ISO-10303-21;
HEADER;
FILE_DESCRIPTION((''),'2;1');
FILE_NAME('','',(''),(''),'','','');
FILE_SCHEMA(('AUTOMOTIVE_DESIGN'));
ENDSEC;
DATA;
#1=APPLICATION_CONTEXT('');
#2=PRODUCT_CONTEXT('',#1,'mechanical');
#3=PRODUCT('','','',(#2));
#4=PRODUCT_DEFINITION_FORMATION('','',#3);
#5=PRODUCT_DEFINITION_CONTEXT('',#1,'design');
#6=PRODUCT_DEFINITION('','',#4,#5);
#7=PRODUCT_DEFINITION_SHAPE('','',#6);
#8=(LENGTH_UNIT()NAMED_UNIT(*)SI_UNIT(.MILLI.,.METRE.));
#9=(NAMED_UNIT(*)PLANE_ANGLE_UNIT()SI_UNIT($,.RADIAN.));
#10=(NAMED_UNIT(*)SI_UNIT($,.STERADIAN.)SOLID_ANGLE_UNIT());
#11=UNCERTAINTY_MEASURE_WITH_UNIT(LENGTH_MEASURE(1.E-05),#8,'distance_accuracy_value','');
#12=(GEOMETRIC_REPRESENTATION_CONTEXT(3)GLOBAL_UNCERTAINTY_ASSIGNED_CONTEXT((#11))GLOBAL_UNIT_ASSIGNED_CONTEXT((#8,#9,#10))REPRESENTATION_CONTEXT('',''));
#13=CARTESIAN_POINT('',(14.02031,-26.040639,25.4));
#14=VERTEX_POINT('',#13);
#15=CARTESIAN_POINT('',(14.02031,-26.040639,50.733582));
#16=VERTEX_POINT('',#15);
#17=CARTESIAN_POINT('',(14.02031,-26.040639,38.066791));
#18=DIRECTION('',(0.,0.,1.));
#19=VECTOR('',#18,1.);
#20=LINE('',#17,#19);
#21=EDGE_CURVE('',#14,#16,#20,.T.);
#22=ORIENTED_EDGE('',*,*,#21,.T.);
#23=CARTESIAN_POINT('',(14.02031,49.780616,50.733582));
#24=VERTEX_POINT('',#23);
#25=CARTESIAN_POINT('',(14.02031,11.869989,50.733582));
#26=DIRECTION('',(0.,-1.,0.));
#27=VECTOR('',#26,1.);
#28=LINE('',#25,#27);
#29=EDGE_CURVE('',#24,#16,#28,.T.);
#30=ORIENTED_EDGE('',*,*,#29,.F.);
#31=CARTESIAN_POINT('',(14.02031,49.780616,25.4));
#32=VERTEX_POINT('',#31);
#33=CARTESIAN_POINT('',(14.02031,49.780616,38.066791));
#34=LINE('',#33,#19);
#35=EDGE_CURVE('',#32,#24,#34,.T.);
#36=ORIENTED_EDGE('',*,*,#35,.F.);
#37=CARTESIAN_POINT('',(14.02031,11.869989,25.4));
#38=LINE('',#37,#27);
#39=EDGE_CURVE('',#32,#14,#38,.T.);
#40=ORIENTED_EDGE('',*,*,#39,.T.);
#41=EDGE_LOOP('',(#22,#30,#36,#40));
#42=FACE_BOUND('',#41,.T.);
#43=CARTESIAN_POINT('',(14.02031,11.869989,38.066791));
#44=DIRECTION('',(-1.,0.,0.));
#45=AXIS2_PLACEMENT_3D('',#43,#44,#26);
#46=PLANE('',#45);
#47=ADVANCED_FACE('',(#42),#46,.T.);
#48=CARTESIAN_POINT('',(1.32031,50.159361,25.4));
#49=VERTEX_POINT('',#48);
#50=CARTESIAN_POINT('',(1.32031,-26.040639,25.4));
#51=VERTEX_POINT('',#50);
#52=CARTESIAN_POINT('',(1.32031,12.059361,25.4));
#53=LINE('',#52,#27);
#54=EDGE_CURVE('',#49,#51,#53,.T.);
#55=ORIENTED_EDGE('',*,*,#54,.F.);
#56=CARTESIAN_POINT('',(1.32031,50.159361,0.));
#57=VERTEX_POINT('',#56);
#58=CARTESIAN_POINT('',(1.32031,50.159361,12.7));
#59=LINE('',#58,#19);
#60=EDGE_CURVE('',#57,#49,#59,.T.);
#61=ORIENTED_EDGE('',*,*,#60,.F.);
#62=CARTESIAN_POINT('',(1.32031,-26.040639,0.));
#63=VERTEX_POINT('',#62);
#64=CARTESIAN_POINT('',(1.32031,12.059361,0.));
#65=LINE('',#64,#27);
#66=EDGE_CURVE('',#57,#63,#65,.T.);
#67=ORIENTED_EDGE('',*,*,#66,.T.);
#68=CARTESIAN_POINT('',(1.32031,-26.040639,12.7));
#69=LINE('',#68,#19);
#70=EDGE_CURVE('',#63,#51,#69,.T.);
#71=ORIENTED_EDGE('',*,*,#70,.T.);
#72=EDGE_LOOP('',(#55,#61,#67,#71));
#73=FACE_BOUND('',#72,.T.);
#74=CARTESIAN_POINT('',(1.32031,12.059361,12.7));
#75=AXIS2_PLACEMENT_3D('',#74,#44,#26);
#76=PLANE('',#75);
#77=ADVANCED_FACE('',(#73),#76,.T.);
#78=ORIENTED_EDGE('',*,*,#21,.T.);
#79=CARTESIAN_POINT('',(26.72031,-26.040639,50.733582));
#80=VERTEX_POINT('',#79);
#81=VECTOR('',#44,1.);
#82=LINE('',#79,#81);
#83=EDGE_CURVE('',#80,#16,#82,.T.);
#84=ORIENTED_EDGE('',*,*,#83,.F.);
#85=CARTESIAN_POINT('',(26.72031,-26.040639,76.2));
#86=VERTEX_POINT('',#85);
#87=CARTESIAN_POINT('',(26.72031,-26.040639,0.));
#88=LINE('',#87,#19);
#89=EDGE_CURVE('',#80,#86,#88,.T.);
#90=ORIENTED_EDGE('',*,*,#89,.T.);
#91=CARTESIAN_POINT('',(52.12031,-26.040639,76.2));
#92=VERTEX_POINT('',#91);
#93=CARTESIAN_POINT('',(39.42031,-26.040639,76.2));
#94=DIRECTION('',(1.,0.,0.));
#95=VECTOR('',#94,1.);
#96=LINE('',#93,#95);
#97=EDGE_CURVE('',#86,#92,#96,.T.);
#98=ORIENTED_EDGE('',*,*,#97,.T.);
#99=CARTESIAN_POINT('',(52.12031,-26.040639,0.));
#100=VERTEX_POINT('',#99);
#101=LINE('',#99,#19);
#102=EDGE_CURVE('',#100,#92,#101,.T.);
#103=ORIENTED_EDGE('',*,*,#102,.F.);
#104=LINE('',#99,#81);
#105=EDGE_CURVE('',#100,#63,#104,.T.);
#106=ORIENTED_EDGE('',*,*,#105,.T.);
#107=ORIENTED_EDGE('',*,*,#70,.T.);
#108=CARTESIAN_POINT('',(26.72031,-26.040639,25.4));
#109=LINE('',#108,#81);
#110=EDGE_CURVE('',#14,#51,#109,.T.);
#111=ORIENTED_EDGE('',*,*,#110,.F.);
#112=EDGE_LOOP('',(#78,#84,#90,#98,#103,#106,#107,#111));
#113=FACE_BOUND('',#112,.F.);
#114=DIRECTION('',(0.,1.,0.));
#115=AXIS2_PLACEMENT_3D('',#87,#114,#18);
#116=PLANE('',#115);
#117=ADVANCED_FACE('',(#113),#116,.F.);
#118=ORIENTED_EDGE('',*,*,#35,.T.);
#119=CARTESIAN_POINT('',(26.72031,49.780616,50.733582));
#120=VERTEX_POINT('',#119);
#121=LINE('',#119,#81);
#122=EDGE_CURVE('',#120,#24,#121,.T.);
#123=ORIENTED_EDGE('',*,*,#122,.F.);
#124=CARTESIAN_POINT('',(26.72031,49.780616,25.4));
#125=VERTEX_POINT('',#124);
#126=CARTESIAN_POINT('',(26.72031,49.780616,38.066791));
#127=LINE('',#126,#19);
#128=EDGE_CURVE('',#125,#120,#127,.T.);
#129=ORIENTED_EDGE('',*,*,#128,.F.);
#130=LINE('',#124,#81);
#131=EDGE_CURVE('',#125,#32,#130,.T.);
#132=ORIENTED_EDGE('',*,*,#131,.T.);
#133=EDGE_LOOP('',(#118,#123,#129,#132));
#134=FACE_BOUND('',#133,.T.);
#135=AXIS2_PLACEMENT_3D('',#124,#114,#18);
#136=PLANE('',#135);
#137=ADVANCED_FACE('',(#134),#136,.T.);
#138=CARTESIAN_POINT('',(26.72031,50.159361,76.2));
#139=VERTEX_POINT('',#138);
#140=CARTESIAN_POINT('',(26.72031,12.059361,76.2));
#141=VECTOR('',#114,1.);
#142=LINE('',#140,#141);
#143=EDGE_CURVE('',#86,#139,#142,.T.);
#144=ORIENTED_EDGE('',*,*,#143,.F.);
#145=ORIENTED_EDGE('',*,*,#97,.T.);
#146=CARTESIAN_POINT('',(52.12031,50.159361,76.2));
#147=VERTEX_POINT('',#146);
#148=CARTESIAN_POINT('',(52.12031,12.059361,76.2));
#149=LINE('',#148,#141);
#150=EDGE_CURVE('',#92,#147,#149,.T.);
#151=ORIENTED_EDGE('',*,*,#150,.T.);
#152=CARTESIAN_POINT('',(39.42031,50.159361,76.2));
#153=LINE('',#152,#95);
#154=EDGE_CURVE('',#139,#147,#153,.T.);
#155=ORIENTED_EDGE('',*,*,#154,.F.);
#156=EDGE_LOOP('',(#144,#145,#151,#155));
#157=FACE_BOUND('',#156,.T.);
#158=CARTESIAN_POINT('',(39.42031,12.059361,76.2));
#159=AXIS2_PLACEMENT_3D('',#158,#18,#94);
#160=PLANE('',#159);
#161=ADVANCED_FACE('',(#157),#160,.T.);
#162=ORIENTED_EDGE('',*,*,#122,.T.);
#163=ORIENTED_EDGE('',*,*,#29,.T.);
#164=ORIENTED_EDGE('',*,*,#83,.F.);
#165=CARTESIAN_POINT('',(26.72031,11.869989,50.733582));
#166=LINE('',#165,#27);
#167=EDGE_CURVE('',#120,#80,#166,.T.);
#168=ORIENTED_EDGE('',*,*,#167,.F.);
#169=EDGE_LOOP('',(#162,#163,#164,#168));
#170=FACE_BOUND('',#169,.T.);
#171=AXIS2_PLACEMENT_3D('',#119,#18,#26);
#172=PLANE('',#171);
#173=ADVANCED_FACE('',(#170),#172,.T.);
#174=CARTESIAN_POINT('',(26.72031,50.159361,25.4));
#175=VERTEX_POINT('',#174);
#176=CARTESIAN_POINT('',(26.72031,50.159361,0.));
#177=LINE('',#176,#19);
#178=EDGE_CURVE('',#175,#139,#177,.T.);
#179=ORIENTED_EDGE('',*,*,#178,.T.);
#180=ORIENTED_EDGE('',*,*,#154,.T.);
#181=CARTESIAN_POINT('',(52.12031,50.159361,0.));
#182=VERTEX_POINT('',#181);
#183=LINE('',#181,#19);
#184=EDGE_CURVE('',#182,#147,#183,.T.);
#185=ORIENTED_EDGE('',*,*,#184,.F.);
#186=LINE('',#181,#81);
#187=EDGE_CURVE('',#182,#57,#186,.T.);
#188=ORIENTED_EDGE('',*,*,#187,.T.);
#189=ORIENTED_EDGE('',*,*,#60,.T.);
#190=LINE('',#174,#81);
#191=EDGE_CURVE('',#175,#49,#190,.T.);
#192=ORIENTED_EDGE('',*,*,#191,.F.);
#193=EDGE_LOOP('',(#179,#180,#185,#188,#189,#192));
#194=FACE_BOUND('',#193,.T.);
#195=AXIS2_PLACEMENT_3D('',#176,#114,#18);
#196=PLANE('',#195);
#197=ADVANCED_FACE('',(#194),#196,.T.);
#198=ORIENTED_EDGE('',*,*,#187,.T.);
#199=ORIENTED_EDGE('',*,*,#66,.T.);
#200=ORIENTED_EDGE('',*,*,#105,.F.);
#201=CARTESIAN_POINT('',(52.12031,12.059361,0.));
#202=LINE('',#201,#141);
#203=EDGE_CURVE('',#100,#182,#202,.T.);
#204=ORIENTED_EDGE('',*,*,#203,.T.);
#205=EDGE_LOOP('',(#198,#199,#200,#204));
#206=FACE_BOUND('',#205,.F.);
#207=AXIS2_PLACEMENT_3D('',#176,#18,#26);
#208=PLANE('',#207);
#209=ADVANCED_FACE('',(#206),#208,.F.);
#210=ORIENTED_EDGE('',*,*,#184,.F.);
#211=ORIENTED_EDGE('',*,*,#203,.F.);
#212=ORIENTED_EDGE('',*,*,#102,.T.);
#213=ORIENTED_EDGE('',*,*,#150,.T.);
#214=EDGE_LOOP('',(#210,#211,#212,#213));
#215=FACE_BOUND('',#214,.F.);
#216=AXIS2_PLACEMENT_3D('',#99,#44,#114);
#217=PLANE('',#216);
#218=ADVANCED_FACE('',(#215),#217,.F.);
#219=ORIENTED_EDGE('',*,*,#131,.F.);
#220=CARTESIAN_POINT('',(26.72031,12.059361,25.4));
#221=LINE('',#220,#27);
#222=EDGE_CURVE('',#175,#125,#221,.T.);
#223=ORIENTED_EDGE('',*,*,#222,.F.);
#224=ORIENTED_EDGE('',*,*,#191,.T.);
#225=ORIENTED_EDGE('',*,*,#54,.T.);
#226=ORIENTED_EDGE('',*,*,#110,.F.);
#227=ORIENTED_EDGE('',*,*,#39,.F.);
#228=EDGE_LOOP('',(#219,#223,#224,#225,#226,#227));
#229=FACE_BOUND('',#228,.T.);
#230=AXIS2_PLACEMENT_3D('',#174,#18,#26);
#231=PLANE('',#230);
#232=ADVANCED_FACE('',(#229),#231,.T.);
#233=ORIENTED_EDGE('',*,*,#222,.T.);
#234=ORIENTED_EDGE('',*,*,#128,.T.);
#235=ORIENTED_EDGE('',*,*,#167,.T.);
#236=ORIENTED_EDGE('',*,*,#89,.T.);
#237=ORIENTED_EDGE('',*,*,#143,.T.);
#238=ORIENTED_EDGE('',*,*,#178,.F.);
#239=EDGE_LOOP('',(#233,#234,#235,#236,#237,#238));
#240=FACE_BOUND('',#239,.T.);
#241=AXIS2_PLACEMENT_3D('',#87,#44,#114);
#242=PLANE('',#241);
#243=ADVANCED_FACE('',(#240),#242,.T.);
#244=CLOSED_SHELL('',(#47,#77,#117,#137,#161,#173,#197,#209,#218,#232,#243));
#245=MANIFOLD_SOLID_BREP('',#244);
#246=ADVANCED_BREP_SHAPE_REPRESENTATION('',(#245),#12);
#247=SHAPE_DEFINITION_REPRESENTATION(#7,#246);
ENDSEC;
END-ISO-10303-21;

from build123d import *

# Parameters (mm, degrees)
F0_W     = 25.4
F0_H     = 76.2
F1_DEPTH = 76.2
F2_W     = 76.2
F2_H     = 25.4
F3_DEPTH = 25.4
F4_W     = 75.8212543819
F4_H     = 25.3335822701
F5_DEPTH = 12.7


with BuildPart() as f1:
    # F0 (on Top) → F1 (new body)
    with BuildSketch(Plane.XY):
        with Locations((39.4203104079, 12.0593613458)):
            Rectangle(F0_W, F0_H)
    extrude(amount=F1_DEPTH)

    # F2 (on face) → F3 (join)
    with BuildSketch(Plane(origin=(26.7203104079, 0, 0), x_dir=(0, -1, 0), z_dir=(-1, 0, 0))):
        with Locations((-12.0593613458, 12.7)):
            Rectangle(F2_W, F2_H)
    extrude(amount=F3_DEPTH)

    # F4 (on face) → F5 (join)
    with BuildSketch(Plane(origin=(26.7203104079, 0, 0), x_dir=(0, -1, 0), z_dir=(-1, 0, 0))):
        with Locations((-11.8699885368, 38.0667911351)):
            Rectangle(F4_W, F4_H)
    extrude(amount=F5_DEPTH)


solid = f1.part
